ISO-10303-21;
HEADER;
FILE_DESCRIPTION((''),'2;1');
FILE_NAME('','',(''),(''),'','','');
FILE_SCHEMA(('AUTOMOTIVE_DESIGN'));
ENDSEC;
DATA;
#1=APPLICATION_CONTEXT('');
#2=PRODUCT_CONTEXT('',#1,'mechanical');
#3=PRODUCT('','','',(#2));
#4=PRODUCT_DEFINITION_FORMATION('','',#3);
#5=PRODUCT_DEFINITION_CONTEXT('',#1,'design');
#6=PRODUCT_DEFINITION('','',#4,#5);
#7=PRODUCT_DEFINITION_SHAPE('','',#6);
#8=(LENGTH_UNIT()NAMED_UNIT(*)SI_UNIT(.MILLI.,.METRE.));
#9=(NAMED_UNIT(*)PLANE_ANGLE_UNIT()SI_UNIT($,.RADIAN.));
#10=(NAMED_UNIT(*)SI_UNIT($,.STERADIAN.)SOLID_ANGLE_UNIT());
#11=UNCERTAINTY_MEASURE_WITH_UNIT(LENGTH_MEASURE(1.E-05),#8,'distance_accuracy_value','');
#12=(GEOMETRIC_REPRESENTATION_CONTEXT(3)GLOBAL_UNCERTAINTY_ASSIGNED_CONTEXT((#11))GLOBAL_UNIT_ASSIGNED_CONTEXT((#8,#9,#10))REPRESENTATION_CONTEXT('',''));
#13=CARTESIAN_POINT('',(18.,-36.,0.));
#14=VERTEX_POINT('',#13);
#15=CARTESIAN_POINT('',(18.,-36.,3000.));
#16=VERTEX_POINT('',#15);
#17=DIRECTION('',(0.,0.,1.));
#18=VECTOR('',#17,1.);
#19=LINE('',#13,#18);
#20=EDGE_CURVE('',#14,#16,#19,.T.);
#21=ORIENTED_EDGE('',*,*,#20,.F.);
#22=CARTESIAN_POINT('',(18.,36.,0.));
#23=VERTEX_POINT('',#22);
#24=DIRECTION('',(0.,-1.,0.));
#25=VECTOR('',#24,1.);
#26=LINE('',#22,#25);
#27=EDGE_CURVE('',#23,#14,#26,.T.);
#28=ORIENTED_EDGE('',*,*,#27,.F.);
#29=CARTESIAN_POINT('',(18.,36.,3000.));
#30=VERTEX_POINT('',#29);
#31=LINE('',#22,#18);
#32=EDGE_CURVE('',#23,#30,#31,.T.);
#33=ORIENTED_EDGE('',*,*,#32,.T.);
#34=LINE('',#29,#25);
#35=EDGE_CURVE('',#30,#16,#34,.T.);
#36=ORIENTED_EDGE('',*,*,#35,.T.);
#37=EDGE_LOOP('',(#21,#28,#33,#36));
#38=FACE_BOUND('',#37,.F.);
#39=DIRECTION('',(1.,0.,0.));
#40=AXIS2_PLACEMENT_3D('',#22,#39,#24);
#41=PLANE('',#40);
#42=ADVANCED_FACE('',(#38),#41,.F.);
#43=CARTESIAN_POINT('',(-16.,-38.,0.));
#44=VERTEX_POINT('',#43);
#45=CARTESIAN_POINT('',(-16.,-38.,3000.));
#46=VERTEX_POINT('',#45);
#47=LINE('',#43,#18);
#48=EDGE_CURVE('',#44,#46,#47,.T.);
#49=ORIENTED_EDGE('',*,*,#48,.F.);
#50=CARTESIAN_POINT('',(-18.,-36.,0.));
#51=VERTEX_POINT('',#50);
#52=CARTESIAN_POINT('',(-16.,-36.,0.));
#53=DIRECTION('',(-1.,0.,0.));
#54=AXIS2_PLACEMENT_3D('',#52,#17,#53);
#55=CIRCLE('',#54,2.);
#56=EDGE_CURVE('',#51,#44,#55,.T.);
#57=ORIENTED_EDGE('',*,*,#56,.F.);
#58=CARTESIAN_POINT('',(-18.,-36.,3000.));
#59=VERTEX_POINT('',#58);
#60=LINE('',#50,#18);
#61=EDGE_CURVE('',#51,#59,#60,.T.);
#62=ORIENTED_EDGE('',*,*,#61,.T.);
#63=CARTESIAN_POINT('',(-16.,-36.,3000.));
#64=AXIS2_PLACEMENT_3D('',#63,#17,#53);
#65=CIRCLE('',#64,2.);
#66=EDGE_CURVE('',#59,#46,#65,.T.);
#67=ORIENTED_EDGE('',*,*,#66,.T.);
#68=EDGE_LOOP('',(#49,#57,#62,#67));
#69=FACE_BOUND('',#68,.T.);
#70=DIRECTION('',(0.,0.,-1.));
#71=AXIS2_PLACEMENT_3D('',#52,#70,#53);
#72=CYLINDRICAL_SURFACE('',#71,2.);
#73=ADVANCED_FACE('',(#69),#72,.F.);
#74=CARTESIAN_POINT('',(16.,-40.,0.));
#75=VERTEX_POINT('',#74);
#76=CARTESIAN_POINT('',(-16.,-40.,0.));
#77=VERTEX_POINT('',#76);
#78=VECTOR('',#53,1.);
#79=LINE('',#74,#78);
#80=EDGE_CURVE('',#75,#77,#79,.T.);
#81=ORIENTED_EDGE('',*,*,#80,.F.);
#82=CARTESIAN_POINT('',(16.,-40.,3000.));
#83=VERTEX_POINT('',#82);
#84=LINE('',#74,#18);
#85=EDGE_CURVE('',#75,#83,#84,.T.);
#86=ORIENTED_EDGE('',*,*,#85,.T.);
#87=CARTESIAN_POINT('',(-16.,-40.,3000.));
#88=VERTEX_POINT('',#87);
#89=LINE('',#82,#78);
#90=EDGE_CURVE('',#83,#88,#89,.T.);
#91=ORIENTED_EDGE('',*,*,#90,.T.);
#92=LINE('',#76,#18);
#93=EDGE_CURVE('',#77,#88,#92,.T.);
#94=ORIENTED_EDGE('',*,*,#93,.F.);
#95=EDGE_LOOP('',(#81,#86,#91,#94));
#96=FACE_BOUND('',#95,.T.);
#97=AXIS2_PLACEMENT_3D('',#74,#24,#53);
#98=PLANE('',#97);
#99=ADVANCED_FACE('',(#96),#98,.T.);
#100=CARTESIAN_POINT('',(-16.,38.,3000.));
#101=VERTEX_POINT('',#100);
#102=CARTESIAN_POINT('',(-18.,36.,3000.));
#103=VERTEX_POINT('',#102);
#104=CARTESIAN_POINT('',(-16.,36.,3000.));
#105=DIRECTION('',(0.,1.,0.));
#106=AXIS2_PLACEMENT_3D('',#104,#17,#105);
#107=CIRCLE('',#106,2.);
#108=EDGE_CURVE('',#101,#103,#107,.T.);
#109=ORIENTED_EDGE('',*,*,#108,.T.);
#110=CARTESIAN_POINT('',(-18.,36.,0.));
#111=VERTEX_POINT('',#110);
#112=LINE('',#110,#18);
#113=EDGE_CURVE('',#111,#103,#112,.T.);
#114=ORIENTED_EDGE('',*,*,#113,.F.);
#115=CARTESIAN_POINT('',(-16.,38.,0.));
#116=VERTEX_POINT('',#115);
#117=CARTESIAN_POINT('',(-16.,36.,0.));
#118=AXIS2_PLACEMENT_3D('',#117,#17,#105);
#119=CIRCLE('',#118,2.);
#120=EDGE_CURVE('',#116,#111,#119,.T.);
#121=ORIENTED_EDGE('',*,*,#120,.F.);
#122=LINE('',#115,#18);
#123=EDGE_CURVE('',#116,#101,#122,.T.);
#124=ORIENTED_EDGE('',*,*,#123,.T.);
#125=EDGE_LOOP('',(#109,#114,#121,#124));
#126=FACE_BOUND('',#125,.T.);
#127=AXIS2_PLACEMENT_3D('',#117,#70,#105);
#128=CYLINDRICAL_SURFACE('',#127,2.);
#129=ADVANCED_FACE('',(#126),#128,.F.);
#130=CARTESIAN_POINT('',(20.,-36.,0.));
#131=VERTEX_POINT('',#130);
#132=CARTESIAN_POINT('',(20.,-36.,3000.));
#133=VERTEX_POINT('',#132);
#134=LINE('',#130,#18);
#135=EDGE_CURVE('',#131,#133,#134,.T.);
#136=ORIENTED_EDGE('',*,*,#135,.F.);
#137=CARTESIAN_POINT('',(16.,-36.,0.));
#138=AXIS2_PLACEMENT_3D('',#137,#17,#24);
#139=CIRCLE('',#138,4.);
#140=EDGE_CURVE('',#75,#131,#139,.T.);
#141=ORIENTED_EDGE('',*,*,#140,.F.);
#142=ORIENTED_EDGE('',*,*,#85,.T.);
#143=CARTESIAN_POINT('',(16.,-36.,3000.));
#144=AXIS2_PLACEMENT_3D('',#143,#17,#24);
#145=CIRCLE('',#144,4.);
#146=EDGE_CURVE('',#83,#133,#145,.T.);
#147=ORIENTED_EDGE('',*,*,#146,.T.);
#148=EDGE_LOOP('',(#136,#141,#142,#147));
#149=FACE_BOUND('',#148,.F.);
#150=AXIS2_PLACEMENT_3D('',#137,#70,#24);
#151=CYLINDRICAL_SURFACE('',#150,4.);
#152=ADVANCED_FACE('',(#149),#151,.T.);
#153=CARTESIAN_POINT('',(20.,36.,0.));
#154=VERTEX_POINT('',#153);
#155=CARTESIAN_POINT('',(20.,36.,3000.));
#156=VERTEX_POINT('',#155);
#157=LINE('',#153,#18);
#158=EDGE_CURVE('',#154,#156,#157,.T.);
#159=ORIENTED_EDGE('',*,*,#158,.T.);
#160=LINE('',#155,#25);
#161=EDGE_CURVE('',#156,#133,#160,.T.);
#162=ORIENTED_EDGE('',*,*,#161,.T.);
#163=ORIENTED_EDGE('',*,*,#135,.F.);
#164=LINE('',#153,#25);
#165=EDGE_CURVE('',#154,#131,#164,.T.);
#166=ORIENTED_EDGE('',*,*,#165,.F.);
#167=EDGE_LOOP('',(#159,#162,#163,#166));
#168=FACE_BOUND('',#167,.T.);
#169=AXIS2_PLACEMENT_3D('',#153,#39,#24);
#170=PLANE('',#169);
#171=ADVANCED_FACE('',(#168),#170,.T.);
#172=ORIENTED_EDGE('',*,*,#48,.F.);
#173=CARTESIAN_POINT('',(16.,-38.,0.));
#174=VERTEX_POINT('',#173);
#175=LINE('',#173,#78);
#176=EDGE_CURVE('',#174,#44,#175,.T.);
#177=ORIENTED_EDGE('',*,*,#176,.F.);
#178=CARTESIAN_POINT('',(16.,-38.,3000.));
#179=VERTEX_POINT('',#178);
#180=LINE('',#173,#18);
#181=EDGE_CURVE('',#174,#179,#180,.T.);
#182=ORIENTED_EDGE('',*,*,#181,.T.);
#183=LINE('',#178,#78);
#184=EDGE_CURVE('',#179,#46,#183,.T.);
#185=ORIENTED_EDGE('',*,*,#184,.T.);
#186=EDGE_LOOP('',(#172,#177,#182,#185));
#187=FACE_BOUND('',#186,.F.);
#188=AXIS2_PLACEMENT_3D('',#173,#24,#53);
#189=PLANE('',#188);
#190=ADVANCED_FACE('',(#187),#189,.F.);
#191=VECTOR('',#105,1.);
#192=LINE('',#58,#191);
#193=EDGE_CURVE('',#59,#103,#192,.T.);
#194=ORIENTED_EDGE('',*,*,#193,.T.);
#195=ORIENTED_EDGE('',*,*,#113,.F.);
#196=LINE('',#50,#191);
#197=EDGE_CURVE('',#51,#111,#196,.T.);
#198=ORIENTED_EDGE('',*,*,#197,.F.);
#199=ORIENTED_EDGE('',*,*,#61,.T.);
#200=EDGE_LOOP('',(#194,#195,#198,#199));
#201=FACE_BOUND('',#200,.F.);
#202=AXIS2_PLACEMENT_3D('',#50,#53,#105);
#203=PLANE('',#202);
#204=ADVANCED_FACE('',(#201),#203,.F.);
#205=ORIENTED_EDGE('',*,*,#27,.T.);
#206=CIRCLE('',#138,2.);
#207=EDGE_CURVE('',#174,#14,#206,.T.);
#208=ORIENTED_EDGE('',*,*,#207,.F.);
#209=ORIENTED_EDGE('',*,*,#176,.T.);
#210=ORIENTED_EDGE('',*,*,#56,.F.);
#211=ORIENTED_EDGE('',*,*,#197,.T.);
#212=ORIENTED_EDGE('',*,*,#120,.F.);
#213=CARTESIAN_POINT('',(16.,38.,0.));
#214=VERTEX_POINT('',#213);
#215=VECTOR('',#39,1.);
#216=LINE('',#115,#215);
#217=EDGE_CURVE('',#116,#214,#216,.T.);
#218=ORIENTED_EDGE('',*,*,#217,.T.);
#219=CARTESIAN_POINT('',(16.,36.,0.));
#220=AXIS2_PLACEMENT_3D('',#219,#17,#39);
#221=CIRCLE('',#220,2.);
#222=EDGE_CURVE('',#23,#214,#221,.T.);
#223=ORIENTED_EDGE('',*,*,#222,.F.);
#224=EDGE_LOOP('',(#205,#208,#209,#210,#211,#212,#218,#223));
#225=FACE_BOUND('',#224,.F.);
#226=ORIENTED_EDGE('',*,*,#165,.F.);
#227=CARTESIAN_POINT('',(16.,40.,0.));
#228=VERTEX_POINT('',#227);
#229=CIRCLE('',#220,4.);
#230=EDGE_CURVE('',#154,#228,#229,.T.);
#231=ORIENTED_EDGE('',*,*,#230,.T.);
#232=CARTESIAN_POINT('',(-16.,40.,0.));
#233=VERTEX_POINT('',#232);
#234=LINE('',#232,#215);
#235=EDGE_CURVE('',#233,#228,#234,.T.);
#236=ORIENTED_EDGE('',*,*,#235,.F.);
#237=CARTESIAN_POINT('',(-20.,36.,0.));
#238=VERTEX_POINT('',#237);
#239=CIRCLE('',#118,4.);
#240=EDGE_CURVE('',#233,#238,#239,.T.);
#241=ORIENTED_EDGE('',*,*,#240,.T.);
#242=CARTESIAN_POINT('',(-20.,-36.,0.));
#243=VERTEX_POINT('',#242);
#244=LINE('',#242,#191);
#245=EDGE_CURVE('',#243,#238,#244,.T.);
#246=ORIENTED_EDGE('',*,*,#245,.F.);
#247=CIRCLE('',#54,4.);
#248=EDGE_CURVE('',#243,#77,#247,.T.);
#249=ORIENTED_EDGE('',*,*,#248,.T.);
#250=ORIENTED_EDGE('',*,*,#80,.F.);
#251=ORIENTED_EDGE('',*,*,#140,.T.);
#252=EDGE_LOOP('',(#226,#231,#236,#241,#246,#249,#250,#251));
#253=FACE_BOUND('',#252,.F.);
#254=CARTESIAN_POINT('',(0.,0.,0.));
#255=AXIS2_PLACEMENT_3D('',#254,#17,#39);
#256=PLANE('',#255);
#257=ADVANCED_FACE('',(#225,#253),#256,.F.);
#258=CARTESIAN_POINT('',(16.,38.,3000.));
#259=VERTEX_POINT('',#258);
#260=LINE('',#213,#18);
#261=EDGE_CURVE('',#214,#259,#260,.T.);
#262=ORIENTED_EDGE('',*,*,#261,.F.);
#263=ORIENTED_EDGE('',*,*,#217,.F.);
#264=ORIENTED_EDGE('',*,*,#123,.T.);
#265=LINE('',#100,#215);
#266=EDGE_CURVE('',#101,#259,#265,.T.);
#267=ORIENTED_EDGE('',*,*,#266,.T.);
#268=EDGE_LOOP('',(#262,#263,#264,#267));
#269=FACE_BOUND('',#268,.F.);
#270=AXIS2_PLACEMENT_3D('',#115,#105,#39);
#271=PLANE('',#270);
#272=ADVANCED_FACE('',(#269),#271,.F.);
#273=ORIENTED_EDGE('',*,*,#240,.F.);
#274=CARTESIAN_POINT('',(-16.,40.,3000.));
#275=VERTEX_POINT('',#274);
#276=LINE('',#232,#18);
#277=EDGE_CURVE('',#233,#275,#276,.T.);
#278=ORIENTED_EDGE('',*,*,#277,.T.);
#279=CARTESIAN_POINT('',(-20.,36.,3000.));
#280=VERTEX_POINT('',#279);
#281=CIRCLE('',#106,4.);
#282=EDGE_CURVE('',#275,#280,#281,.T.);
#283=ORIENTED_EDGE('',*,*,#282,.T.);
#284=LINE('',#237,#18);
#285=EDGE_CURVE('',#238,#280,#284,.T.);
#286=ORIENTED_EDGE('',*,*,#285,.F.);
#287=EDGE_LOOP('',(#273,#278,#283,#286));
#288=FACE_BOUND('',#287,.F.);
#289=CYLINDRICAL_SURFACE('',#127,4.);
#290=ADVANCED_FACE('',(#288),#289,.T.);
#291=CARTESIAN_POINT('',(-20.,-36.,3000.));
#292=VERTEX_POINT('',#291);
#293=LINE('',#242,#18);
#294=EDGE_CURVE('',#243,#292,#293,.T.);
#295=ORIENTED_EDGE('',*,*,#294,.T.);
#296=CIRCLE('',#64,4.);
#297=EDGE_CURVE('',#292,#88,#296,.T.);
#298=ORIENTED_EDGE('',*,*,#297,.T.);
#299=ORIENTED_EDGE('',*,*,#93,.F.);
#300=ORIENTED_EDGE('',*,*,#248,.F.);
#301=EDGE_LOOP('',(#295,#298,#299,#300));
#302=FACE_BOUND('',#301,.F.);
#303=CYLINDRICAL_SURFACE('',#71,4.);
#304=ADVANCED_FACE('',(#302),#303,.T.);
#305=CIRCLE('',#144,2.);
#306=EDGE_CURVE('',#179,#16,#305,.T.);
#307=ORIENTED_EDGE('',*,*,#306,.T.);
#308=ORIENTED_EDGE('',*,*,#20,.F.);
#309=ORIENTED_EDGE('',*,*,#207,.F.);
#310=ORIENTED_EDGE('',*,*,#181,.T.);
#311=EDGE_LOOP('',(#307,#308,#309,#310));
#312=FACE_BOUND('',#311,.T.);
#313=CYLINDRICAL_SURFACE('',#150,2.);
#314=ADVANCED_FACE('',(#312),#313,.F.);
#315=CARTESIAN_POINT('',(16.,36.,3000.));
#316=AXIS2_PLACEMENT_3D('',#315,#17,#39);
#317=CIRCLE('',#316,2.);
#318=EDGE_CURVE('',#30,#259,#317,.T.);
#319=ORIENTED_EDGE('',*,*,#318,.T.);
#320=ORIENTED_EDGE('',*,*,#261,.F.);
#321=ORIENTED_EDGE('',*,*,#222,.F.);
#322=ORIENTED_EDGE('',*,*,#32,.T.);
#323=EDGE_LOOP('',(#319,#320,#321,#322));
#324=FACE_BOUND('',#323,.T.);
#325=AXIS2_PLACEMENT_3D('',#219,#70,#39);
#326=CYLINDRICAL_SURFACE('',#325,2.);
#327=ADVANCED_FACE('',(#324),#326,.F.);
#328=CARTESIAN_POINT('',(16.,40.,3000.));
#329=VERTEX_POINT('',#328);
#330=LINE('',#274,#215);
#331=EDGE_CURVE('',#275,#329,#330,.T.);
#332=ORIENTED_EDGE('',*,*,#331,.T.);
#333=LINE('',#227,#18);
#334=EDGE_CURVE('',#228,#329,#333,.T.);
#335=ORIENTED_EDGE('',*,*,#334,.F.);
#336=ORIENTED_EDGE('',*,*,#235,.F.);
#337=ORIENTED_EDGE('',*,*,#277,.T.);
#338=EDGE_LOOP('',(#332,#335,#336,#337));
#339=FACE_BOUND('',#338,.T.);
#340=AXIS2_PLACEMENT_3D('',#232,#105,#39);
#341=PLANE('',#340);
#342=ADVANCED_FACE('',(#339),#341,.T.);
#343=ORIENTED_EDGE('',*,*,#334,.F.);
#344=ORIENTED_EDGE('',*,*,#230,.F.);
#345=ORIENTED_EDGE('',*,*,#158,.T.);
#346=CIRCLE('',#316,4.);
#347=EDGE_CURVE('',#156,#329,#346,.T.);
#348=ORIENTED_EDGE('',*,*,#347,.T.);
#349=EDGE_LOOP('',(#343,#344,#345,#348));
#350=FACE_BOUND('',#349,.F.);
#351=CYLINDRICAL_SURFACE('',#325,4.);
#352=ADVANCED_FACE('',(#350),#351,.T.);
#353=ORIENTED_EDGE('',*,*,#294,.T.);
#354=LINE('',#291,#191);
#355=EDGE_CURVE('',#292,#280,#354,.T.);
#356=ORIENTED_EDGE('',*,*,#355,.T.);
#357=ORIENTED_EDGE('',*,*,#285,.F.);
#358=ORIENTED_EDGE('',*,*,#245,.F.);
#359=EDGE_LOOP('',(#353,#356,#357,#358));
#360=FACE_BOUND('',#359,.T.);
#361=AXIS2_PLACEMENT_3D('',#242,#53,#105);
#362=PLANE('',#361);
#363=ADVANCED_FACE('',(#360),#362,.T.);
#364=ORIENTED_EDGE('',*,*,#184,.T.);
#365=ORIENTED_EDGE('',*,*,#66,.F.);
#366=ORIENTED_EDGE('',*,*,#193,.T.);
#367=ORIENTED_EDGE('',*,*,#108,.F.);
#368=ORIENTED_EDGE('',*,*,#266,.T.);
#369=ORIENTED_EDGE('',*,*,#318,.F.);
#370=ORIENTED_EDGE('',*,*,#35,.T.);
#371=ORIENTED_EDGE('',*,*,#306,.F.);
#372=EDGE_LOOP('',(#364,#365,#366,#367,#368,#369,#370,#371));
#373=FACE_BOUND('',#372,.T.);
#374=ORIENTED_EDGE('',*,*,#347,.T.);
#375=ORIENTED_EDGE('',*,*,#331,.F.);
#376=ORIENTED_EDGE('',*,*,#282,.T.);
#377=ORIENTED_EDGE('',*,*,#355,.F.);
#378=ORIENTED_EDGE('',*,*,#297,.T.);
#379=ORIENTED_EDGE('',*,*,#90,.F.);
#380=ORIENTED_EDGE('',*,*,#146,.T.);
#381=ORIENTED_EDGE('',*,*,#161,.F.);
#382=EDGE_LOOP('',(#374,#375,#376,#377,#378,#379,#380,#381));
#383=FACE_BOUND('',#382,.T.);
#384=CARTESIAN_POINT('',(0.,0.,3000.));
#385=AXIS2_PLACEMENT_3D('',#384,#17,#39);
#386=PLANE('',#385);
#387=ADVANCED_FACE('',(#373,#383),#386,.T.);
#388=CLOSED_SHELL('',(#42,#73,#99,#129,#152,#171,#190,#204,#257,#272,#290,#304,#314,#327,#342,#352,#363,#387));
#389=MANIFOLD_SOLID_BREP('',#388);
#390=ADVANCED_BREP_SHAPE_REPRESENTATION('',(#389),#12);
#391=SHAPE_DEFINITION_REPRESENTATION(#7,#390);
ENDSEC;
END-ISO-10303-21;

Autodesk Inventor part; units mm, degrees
ref_plane "YZ Plane" through (0, 0, 0) normal (1, 0, 0) x (0, 1, 0)
ref_plane "Start Plane" through (0, 0, 0) normal (0, 0, 1) x (1, 0, 0)
ref_plane "End Plane" through (0, 0, 3000) normal (0, 0, 1) x (1, 0, 0)
sketch "Sketch" plane through (0, 0, 0) normal (0, 0, 1) x (1, 0, 0)
  line L0 (-20, -36) -> (-20, 36)
  line L1 (-16, 40) -> (16, 40)
  line L2 (20, 36) -> (20, -36)
  line L3 (16, -40) -> (-16, -40)
  arc A0 (-20, -36) -> (-16, -40) centre (-16, -36) ccw
  arc A1 (20, 36) -> (16, 40) centre (16, 36) ccw
  arc A2 (-16, 40) -> (-20, 36) centre (-16, 36) ccw
  arc A3 (16, -40) -> (20, -36) centre (16, -36) ccw
  arc A4 (-16, 38) -> (-18, 36) centre (-16, 36) ccw
  line L4 (-16, 38) -> (16, 38)
  arc A5 (18, 36) -> (16, 38) centre (16, 36) ccw
  line L5 (18, 36) -> (18, -36)
  arc A6 (16, -38) -> (18, -36) centre (16, -36) ccw
  line L6 (16, -38) -> (-16, -38)
  arc A7 (-18, -36) -> (-16, -38) centre (-16, -36) ccw
  line L7 (-18, -36) -> (-18, 36)
  line L8 (0, 57.1598) -> (0, -57.1598) construction
  line L9 (-29.1598, 0) -> (29.1598, 0) construction
  dimension "d7" = 4
  dimension "d9" = 40
  dimension "d11" = 80
  dimension "d12" = 2
  dimension "d15" = 20
  dimension "d16" = 40
extrude "Body" add sketch "Sketch" along normal up to surface (3000 mm away) from surface at 0
sketch "Sketch3" plane through (0, 0, 0) normal (0, 0, 1) x (1, 0, 0)
  line L0 (0, 0) -> (10, 0)
ref_plane "Work Plane3" through (0, 0, 0) normal (0, -1, 0) x (1, 0, 0)
sketch "Sketch4" plane through (0, 0, 0) normal (0, -1, 0) x (1, 0, 0)
  line L0 (-2, 0) -> (12, 0) projected
  line L1 (-2, 3000) -> (12, 3000) projected
  dimension "d18" = 3000
equation "\"d7\" = G_IR"
equation "\"d9\" = G_W"
equation "\"d11\" = G_H"
equation "\"d12\" = G_T"
equation "\"d15\" = 0.5 * d9"
equation "\"d16\" = 0.5 * d11"
equation "\"d3\" = G_L"
equation "\"G_W\" = 40"
equation "\"G_H\" = 80"
equation "\"G_T\" = 2"
equation "\"G_IR\" = 4"
equation "\"G_L\" = d18"
equation "\"G_OFFSET_START\" = 0"
equation "\"G_OFFSET_END\" = 0"
properties part number "ISO 4019 - 80x40x2 - 3000" material "Steel, Mild"
